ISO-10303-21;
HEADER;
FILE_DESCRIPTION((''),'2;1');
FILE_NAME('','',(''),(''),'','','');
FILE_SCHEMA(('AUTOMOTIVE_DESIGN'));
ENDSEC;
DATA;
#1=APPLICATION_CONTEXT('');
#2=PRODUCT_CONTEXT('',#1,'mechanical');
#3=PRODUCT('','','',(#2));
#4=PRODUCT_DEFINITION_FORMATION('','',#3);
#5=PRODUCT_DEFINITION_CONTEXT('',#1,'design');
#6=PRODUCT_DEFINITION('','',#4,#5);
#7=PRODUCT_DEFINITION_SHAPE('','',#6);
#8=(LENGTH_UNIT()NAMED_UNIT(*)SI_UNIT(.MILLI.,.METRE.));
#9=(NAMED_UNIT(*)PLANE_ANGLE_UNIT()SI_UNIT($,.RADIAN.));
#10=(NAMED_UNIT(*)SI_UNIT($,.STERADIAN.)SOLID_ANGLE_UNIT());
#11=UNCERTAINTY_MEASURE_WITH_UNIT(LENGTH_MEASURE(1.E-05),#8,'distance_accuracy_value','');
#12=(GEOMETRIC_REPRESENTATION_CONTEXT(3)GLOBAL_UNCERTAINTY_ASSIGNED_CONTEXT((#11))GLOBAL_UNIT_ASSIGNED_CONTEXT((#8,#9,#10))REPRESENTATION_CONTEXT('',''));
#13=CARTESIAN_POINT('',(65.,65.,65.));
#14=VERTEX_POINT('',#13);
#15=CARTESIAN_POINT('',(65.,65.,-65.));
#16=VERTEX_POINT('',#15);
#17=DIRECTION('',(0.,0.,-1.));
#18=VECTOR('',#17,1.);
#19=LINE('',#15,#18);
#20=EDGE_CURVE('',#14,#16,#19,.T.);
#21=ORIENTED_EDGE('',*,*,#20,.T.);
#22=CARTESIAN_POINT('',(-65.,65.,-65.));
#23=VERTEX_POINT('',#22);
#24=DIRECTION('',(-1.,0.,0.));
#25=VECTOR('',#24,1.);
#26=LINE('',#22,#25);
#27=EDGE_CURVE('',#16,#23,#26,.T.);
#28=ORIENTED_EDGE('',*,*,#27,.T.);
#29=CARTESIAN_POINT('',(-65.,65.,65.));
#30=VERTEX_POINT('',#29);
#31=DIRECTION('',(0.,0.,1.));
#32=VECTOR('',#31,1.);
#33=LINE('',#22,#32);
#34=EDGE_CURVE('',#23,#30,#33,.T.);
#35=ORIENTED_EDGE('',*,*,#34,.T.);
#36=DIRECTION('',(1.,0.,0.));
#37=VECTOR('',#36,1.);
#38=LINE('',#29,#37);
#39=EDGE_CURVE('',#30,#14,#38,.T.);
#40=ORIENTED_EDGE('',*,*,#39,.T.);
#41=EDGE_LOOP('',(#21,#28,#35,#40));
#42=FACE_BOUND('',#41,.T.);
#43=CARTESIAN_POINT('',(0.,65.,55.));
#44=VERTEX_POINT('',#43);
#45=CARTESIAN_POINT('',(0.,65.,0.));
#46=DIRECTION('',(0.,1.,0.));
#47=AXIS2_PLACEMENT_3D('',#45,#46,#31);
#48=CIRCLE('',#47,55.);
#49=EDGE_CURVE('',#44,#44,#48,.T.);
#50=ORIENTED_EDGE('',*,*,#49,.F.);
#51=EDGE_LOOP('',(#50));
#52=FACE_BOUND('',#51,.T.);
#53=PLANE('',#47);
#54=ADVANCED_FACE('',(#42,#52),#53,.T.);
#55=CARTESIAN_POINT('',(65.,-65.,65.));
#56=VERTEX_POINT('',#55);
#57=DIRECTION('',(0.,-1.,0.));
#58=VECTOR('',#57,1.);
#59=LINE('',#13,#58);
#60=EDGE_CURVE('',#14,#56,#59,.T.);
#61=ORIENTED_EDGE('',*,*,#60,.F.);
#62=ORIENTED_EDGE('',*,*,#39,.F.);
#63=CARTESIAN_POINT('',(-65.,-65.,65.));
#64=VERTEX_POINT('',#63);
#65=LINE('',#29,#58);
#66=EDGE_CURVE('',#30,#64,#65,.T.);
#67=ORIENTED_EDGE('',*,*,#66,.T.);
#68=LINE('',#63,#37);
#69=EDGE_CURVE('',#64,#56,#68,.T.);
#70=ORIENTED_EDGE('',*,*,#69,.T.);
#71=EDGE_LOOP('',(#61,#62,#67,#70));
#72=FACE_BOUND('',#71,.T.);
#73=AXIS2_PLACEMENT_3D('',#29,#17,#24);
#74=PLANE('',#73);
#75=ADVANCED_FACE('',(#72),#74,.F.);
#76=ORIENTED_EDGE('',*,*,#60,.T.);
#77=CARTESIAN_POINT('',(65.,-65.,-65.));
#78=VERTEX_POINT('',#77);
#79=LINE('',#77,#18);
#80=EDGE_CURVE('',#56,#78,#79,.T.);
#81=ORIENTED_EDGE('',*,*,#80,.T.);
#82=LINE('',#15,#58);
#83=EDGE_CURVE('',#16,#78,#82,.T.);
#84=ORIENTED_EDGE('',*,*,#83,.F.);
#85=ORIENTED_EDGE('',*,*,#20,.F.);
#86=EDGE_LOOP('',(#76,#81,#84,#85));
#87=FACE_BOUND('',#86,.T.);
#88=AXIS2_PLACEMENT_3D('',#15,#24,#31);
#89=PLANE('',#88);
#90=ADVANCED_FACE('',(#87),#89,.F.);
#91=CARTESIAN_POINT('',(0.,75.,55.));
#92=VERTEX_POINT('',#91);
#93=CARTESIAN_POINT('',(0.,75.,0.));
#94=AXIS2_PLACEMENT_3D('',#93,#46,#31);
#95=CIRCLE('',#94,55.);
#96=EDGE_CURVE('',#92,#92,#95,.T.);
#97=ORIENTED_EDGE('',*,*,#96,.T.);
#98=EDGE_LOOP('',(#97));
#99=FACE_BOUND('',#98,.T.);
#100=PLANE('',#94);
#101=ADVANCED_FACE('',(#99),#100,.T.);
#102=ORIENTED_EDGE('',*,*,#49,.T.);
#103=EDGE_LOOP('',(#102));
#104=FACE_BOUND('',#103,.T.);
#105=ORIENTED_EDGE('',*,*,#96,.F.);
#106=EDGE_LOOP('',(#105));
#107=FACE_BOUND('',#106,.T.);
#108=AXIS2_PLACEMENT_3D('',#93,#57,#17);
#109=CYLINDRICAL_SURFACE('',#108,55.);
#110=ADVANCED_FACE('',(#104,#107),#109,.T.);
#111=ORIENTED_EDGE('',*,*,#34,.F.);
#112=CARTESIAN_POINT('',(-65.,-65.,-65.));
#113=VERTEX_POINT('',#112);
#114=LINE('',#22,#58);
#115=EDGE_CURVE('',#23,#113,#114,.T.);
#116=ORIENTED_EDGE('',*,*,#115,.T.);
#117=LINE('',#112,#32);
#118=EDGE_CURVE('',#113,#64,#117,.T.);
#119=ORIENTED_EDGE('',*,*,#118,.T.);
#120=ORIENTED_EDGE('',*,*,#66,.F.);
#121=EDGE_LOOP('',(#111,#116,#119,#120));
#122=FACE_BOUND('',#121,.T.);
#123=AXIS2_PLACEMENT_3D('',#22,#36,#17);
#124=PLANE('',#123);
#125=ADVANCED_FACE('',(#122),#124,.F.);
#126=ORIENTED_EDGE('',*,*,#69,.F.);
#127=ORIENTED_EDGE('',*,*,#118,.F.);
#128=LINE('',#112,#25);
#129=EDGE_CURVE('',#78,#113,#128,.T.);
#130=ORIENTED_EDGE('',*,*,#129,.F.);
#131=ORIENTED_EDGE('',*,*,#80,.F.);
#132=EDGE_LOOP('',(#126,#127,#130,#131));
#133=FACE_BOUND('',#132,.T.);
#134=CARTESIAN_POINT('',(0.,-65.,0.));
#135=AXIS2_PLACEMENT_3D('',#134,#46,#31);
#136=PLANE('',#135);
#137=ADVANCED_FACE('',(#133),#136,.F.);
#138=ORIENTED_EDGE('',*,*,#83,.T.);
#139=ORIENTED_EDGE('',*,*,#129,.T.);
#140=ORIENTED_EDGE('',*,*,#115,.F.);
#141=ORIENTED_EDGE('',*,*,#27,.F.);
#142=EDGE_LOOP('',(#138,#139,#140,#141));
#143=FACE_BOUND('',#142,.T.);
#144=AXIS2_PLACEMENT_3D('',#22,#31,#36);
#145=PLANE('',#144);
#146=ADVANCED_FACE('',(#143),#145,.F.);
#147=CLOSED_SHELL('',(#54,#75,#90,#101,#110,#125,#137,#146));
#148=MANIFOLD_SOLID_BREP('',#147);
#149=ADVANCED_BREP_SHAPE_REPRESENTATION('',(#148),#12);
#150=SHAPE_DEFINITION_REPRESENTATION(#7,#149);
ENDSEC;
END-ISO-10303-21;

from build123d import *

# Parameters (mm, degrees)
SKETCH1_W           = 130
SKETCH1_H           = 130
BOSS_EXTRUDE1_DEPTH = 65
SKETCH2_R           = 55
BOSS_EXTRUDE2_DEPTH = 10


with BuildPart() as part:
    # Sketch1 → Boss-Extrude1 (new, symmetric)
    with BuildSketch(Plane(origin=(0, 0, 0), x_dir=(1, 0, 0), z_dir=(0, 1, 0))):
        Rectangle(SKETCH1_W, SKETCH1_H)
    extrude(amount=BOSS_EXTRUDE1_DEPTH, both=True)

    # Sketch2 → Boss-Extrude2 (add)
    with BuildSketch(Plane(origin=(0, 65, 0), x_dir=(1, 0, 0), z_dir=(0, 1, 0))):
        with Locations(Location((0, 0, 0), (0, 0, 270))):
            Circle(SKETCH2_R)
    extrude(amount=BOSS_EXTRUDE2_DEPTH)


solid = part.part
